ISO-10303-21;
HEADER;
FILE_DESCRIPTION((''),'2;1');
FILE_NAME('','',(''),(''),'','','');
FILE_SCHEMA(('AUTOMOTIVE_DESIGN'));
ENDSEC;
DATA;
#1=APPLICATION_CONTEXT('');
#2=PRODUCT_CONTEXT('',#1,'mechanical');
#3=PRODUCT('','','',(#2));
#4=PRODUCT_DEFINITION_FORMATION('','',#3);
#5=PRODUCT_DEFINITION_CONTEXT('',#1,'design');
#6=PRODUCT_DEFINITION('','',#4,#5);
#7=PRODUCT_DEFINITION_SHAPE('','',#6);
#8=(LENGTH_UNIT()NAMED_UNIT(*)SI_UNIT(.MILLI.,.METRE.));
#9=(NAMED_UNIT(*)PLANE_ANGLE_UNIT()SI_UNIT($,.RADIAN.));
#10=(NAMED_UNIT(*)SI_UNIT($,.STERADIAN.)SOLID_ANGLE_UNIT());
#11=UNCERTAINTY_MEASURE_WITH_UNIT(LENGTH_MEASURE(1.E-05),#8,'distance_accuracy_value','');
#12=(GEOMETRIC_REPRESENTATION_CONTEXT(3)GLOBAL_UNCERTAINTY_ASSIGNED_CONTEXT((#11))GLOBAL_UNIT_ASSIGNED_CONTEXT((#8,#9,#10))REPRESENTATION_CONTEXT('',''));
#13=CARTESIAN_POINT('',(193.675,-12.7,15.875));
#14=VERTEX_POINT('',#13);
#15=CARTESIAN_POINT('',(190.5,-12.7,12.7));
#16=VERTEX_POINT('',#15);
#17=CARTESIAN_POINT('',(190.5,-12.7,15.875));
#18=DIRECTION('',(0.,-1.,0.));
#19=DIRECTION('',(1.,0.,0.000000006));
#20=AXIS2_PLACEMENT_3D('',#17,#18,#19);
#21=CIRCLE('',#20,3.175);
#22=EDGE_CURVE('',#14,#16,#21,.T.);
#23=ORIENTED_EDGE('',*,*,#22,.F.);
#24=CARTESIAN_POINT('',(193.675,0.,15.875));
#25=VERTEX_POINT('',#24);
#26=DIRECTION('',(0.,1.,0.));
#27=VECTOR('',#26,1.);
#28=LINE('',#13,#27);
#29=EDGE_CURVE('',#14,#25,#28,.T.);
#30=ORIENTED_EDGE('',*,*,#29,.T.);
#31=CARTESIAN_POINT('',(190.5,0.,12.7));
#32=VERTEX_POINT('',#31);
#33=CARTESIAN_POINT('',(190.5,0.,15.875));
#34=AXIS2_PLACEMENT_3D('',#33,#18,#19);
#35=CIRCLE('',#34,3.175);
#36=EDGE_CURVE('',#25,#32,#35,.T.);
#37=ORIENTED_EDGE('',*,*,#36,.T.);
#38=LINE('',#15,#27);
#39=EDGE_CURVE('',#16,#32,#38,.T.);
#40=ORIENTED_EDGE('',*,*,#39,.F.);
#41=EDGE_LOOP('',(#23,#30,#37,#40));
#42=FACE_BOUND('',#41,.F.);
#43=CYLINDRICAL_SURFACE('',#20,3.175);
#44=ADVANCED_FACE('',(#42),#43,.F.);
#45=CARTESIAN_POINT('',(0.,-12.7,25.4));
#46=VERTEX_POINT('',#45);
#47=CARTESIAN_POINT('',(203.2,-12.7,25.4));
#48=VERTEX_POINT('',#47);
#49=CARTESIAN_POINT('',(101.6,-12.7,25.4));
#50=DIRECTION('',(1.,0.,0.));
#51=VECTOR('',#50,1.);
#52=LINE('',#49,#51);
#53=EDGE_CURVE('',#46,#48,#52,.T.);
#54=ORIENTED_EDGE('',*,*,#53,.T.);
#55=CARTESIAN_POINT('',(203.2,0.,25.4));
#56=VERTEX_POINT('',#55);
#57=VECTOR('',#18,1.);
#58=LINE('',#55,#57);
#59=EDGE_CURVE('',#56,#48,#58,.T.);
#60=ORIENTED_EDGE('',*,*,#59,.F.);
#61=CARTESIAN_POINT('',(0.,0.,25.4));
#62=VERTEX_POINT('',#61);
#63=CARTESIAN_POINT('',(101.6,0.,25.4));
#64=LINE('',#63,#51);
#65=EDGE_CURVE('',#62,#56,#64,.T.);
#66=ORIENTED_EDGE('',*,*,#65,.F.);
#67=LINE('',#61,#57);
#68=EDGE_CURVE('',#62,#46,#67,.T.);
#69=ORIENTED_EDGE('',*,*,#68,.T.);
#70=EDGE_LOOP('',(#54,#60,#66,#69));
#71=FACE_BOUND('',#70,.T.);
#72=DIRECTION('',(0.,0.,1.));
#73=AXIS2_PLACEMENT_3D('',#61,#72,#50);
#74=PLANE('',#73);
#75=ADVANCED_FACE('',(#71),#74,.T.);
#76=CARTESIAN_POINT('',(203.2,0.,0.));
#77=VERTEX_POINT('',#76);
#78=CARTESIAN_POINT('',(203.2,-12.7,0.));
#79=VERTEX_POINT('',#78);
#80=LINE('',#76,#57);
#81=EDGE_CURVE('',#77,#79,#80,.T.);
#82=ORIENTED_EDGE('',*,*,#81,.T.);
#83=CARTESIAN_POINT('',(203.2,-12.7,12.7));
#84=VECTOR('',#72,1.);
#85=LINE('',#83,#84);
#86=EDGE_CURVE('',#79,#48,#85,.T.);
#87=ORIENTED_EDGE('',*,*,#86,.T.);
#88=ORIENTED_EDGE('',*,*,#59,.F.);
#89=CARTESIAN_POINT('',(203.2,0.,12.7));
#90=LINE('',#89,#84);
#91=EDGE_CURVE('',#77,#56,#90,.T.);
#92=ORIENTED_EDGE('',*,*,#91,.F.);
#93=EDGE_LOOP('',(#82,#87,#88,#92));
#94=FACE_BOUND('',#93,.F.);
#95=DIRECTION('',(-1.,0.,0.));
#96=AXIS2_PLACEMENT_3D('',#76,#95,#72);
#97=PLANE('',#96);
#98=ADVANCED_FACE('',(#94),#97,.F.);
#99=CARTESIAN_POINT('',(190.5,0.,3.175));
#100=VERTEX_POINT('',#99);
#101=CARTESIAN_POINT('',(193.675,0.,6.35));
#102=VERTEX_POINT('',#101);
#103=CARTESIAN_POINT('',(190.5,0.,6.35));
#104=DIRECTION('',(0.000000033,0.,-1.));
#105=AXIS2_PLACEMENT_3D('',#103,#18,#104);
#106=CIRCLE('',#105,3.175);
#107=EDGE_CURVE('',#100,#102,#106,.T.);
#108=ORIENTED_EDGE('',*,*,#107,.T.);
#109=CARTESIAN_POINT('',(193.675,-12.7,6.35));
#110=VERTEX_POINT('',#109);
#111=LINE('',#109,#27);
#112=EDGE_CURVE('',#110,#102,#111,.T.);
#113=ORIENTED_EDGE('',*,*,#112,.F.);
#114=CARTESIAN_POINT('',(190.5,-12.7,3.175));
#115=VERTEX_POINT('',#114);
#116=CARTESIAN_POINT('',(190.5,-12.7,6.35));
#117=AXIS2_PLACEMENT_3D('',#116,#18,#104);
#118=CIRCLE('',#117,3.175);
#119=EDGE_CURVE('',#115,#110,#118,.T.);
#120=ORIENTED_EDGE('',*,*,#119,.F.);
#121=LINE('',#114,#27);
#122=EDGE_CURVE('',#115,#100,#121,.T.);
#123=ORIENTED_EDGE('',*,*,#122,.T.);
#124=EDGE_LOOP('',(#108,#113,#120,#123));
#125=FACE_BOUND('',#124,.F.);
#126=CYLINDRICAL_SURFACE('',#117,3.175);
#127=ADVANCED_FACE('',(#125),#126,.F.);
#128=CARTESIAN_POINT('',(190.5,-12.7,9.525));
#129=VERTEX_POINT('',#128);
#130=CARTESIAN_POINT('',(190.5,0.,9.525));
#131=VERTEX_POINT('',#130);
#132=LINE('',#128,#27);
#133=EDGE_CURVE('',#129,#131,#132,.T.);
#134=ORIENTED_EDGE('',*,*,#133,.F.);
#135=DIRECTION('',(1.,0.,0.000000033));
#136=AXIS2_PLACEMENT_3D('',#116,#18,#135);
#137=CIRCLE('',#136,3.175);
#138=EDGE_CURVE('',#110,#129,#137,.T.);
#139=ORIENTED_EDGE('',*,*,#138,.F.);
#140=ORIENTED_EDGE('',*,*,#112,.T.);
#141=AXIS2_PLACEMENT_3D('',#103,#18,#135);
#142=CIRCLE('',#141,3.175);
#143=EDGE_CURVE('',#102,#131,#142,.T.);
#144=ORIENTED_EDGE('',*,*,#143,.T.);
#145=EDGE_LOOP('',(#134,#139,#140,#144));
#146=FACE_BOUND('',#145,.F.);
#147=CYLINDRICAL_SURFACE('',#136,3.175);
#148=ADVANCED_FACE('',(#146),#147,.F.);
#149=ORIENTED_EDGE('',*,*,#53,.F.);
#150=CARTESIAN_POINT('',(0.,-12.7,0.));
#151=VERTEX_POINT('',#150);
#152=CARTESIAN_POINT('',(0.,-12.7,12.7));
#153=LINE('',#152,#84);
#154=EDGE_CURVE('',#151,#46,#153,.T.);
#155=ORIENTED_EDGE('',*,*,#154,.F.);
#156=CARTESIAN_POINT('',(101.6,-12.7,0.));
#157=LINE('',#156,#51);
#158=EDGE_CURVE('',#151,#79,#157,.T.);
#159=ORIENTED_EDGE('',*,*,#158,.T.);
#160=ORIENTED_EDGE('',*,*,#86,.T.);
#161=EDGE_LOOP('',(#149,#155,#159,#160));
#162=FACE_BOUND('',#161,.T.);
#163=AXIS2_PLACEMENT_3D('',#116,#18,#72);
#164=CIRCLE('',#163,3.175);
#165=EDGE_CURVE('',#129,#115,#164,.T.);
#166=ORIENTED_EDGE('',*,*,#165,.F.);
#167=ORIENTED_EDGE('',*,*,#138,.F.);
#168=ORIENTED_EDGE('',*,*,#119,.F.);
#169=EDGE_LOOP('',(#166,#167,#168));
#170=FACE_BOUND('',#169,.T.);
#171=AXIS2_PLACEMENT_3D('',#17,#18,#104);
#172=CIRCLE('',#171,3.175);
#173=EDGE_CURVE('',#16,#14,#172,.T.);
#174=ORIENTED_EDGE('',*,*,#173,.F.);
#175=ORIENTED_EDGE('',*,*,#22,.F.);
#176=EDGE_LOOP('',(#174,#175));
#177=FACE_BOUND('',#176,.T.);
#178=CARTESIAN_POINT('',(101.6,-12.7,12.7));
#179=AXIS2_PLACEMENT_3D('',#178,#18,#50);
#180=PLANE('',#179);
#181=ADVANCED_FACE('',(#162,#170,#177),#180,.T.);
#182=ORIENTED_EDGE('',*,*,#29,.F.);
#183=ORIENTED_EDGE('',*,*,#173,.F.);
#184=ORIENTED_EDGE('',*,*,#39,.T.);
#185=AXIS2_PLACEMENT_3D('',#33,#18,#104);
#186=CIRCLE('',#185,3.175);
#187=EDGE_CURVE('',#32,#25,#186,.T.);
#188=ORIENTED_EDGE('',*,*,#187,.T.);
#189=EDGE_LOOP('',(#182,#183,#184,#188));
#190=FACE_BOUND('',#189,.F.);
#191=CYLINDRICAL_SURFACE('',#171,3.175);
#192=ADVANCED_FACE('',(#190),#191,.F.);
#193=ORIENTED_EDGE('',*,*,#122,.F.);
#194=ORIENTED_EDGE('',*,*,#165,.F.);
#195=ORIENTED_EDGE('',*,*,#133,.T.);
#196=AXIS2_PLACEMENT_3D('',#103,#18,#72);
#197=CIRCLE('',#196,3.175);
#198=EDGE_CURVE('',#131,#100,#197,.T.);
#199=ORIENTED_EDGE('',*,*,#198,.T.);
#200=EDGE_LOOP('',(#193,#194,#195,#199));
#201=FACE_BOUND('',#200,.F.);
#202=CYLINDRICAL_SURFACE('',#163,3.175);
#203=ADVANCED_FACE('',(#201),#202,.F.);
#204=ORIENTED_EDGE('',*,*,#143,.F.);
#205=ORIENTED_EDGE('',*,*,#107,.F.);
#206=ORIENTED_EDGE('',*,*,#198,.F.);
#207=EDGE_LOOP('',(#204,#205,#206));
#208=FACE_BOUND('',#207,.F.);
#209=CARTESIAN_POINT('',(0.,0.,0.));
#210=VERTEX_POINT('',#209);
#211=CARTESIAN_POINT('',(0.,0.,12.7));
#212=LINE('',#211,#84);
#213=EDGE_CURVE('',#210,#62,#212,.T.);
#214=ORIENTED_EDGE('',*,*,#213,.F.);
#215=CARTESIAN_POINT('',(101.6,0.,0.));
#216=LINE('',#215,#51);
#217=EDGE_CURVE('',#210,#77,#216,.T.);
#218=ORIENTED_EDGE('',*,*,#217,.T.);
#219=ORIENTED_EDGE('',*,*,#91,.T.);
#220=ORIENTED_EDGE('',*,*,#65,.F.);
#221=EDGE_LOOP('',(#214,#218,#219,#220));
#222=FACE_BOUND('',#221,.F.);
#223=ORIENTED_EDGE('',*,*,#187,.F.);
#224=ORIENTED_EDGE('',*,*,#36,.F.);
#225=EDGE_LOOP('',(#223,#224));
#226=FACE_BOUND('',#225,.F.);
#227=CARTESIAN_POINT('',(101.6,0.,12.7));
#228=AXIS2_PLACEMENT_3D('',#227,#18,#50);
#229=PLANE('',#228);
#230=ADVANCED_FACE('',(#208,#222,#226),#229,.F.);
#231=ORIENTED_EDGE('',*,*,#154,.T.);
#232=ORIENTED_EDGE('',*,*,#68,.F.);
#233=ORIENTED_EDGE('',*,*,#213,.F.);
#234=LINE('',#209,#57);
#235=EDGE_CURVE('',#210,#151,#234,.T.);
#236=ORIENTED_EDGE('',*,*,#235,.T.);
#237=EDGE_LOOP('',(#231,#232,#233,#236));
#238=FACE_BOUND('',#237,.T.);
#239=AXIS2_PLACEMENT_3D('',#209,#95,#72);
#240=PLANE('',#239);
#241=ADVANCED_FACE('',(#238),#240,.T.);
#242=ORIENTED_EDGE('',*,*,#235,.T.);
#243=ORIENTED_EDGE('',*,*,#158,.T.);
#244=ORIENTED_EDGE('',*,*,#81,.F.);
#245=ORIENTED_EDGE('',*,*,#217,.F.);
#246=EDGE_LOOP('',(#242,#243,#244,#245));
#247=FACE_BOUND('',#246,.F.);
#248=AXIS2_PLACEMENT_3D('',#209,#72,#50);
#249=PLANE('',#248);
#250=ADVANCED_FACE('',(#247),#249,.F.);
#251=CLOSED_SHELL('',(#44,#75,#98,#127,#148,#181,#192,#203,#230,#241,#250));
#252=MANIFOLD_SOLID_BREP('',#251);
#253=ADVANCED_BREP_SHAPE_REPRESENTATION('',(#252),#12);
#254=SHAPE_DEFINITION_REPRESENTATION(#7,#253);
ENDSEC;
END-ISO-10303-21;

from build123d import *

# Parameters (mm, degrees)
F0_W     = 203.2
F0_H     = 25.4
F1_DEPTH = 12.7
F3_DEPTH = 25.4


with BuildPart() as f1:
    # F0 (on Front) → F1 (new body)
    with BuildSketch(Plane.XZ):
        with Locations((101.6, 12.7)):
            Rectangle(F0_W, F0_H)
    extrude(amount=F1_DEPTH)

    # F2 (on face) → F3 (cut)
    with BuildSketch(Plane.XZ.offset(12.7)):
        with BuildLine():
            ThreePointArc((193.675, 15.875), (188.254936, 18.120064), (190.5, 12.7))
            ThreePointArc((190.5, 12.7), (192.745064, 13.629936), (193.675, 15.875))
        make_face()
        with BuildLine():
            Line((190.5, 6.35), (190.5, 3.175))
            ThreePointArc((190.5, 3.175), (192.745064, 4.104936), (193.675, 6.35))
            ThreePointArc((193.675, 6.35), (192.745064, 8.595064), (190.5, 9.525))
            Line((190.5, 9.525), (190.5, 6.35))
        make_face()
        with BuildLine():
            ThreePointArc((190.5, 9.525), (187.325, 6.35), (190.5, 3.175))
            Line((190.5, 3.175), (190.5, 6.35))
            Line((190.5, 6.35), (190.5, 9.525))
        make_face()
    extrude(amount=-F3_DEPTH, mode=Mode.SUBTRACT)


solid = f1.part
